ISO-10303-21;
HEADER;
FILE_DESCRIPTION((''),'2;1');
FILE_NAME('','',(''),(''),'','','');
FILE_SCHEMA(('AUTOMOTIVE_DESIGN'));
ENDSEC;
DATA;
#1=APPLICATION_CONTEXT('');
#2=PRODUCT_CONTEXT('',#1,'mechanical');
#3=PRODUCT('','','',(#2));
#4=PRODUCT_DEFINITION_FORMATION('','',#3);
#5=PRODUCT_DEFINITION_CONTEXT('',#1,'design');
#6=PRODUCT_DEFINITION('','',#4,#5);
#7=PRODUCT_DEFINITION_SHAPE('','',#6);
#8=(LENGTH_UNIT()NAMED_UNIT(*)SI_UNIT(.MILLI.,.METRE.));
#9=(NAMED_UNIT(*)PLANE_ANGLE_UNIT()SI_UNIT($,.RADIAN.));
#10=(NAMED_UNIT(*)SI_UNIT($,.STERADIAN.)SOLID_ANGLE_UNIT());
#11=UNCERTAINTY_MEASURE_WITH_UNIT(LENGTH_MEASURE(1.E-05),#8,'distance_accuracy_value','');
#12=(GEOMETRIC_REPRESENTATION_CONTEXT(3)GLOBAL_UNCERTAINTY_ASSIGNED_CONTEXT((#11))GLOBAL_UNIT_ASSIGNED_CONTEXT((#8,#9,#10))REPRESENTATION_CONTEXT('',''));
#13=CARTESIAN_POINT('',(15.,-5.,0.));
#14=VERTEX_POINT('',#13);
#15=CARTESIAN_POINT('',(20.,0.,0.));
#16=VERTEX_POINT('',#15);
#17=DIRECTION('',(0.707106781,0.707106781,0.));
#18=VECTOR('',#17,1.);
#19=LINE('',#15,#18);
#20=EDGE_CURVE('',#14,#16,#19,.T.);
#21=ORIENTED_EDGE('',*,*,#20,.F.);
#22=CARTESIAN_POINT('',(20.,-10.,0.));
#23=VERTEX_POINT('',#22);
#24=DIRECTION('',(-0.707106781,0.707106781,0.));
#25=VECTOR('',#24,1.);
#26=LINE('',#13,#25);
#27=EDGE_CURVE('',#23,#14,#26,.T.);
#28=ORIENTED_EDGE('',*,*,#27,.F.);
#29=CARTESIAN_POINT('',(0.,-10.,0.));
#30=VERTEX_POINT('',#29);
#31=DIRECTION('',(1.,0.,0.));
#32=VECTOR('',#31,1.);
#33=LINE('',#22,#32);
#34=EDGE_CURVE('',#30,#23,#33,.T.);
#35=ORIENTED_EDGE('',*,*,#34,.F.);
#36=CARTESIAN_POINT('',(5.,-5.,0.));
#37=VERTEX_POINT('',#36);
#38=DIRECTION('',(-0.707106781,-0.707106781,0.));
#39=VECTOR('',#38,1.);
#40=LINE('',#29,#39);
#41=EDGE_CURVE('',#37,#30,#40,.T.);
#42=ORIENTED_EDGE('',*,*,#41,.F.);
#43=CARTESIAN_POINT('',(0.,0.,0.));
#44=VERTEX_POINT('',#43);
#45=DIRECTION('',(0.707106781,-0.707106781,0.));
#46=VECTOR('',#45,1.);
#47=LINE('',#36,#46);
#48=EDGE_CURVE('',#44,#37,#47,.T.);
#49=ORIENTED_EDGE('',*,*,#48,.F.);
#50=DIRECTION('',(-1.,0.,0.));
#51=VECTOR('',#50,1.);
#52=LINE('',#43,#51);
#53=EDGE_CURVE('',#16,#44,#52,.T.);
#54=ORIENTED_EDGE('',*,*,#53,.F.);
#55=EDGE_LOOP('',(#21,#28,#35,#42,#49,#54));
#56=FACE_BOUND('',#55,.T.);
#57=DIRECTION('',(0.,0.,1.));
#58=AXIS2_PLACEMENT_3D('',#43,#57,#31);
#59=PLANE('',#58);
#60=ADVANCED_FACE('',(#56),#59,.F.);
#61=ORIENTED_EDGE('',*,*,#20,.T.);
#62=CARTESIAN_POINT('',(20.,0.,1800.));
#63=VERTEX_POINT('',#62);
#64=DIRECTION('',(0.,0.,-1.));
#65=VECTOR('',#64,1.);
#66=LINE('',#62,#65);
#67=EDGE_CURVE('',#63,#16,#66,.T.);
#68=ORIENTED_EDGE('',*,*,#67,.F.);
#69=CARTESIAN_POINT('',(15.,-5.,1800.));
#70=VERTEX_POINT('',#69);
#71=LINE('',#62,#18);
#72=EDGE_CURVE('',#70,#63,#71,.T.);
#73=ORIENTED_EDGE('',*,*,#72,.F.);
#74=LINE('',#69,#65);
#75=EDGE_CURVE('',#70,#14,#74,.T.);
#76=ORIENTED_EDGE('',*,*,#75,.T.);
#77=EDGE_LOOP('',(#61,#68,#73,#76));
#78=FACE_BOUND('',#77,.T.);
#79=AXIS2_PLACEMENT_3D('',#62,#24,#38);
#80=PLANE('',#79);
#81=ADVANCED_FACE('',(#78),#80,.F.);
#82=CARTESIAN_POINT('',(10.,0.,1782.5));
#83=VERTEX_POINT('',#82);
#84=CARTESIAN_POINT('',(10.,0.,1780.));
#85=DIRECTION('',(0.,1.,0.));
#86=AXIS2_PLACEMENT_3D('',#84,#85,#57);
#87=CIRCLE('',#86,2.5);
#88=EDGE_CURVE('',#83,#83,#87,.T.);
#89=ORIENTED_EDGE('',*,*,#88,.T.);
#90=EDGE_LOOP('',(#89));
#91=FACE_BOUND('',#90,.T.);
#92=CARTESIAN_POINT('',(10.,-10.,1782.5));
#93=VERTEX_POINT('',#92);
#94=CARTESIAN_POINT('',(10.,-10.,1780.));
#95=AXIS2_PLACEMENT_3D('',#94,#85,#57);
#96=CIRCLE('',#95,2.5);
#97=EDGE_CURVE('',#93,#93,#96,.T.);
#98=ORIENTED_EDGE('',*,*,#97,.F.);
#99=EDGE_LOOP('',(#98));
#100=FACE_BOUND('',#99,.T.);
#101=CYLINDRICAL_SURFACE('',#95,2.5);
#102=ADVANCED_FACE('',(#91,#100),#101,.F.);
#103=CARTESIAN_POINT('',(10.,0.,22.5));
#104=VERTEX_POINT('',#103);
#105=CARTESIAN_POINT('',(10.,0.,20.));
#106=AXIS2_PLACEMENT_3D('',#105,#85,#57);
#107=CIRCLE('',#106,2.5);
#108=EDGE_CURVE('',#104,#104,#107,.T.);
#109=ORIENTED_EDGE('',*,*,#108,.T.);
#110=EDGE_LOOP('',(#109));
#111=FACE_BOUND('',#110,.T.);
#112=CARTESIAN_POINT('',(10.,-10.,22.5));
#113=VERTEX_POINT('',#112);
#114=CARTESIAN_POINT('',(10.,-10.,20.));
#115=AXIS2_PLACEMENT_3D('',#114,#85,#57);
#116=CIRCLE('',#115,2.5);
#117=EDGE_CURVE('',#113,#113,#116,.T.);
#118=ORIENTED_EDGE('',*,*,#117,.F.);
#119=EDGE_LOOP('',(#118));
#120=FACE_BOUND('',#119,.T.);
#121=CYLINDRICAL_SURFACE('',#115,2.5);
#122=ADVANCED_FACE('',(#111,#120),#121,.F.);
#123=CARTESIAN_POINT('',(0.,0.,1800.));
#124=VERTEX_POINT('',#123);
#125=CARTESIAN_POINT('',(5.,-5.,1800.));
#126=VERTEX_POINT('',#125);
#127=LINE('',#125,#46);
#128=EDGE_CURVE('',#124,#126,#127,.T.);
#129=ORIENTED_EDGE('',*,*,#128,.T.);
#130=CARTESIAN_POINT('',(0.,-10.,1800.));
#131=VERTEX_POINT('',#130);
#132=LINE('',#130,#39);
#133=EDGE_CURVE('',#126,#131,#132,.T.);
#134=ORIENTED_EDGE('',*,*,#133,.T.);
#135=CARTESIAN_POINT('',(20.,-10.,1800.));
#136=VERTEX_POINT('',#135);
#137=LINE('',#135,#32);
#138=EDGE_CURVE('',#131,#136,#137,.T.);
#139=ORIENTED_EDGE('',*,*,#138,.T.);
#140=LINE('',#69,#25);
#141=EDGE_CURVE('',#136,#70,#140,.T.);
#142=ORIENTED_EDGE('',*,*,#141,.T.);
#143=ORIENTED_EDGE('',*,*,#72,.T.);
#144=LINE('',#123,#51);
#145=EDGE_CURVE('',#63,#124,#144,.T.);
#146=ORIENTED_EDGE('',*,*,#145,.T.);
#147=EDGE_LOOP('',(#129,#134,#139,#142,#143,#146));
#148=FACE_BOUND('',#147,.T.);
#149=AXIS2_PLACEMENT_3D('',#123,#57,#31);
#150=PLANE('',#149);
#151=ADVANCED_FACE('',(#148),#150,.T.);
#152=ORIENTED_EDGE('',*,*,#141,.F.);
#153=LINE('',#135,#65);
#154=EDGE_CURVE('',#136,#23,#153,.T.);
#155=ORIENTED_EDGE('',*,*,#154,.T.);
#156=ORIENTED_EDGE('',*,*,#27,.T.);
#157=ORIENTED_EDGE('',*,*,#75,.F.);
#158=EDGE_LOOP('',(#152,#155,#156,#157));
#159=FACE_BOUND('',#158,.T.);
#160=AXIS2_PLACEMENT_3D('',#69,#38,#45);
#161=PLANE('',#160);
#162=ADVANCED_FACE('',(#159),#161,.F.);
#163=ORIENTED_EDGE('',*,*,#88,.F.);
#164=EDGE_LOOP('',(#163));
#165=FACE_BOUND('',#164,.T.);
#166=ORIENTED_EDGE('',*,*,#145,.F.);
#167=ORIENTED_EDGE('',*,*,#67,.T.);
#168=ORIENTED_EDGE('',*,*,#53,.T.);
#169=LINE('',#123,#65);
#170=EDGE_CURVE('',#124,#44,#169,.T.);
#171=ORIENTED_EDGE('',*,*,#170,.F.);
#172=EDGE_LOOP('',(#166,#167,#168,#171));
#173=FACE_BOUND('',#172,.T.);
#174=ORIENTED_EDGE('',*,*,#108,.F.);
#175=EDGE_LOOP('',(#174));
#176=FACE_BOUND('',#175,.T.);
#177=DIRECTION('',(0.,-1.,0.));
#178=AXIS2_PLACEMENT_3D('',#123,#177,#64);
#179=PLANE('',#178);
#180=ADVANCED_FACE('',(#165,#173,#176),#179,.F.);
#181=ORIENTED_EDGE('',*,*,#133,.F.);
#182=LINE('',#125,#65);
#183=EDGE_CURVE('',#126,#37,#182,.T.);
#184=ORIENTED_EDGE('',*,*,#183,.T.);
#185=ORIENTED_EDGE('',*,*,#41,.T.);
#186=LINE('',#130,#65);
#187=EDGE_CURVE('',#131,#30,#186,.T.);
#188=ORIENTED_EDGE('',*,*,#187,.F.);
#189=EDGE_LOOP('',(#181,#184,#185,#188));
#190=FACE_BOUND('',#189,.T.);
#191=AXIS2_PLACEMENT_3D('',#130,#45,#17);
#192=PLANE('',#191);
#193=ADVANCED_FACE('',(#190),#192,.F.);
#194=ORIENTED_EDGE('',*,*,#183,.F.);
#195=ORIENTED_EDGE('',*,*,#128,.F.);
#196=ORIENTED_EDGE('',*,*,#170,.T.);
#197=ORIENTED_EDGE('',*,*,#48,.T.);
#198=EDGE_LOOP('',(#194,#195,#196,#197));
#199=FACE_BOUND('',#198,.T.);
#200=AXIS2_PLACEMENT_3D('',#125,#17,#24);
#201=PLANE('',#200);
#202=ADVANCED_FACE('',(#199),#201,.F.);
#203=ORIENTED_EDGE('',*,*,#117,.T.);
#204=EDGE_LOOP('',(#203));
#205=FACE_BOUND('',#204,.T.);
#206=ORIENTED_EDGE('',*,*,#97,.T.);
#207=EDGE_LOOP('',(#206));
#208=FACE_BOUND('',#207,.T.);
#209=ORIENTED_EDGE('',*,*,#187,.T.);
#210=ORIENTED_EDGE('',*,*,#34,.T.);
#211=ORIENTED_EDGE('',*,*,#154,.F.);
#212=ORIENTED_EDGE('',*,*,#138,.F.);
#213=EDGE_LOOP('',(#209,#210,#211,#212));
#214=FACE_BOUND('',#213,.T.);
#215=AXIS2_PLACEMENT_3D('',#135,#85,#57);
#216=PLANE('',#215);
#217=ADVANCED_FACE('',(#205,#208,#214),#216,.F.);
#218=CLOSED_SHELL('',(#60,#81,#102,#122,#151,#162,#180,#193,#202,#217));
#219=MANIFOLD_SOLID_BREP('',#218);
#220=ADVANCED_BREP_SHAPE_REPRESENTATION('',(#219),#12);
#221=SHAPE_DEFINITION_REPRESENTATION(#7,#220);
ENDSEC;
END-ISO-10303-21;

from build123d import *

# Parameters (mm, degrees)
Y_KSEKLIK_EKSTR_ZYON1_DEPTH = 1800
IZIM2_R                     = 2.5
KES_EKSTR_ZYON5_DEPTH       = 10


with BuildPart() as part:
    # Çizim1 → Yükseklik-Ekstrüzyon1 (new body)
    with BuildSketch(Plane.XY):
        Polygon((0, 0), (20, 0), (15, -5), (20, -10), (0, -10), (5, -5), align=None)
    extrude(amount=Y_KSEKLIK_EKSTR_ZYON1_DEPTH)

    # Çizim2 → Kes-Ekstrüzyon5 (cut)
    with BuildSketch(Plane(origin=(0, 0, 0), x_dir=(1, 0, 0), z_dir=(0, 1, 0))):
        with Locations((10, -20)):
            Circle(IZIM2_R)
        with Locations((10, -1780)):
            Circle(IZIM2_R)
    extrude(amount=-KES_EKSTR_ZYON5_DEPTH, mode=Mode.SUBTRACT)


solid = part.part
